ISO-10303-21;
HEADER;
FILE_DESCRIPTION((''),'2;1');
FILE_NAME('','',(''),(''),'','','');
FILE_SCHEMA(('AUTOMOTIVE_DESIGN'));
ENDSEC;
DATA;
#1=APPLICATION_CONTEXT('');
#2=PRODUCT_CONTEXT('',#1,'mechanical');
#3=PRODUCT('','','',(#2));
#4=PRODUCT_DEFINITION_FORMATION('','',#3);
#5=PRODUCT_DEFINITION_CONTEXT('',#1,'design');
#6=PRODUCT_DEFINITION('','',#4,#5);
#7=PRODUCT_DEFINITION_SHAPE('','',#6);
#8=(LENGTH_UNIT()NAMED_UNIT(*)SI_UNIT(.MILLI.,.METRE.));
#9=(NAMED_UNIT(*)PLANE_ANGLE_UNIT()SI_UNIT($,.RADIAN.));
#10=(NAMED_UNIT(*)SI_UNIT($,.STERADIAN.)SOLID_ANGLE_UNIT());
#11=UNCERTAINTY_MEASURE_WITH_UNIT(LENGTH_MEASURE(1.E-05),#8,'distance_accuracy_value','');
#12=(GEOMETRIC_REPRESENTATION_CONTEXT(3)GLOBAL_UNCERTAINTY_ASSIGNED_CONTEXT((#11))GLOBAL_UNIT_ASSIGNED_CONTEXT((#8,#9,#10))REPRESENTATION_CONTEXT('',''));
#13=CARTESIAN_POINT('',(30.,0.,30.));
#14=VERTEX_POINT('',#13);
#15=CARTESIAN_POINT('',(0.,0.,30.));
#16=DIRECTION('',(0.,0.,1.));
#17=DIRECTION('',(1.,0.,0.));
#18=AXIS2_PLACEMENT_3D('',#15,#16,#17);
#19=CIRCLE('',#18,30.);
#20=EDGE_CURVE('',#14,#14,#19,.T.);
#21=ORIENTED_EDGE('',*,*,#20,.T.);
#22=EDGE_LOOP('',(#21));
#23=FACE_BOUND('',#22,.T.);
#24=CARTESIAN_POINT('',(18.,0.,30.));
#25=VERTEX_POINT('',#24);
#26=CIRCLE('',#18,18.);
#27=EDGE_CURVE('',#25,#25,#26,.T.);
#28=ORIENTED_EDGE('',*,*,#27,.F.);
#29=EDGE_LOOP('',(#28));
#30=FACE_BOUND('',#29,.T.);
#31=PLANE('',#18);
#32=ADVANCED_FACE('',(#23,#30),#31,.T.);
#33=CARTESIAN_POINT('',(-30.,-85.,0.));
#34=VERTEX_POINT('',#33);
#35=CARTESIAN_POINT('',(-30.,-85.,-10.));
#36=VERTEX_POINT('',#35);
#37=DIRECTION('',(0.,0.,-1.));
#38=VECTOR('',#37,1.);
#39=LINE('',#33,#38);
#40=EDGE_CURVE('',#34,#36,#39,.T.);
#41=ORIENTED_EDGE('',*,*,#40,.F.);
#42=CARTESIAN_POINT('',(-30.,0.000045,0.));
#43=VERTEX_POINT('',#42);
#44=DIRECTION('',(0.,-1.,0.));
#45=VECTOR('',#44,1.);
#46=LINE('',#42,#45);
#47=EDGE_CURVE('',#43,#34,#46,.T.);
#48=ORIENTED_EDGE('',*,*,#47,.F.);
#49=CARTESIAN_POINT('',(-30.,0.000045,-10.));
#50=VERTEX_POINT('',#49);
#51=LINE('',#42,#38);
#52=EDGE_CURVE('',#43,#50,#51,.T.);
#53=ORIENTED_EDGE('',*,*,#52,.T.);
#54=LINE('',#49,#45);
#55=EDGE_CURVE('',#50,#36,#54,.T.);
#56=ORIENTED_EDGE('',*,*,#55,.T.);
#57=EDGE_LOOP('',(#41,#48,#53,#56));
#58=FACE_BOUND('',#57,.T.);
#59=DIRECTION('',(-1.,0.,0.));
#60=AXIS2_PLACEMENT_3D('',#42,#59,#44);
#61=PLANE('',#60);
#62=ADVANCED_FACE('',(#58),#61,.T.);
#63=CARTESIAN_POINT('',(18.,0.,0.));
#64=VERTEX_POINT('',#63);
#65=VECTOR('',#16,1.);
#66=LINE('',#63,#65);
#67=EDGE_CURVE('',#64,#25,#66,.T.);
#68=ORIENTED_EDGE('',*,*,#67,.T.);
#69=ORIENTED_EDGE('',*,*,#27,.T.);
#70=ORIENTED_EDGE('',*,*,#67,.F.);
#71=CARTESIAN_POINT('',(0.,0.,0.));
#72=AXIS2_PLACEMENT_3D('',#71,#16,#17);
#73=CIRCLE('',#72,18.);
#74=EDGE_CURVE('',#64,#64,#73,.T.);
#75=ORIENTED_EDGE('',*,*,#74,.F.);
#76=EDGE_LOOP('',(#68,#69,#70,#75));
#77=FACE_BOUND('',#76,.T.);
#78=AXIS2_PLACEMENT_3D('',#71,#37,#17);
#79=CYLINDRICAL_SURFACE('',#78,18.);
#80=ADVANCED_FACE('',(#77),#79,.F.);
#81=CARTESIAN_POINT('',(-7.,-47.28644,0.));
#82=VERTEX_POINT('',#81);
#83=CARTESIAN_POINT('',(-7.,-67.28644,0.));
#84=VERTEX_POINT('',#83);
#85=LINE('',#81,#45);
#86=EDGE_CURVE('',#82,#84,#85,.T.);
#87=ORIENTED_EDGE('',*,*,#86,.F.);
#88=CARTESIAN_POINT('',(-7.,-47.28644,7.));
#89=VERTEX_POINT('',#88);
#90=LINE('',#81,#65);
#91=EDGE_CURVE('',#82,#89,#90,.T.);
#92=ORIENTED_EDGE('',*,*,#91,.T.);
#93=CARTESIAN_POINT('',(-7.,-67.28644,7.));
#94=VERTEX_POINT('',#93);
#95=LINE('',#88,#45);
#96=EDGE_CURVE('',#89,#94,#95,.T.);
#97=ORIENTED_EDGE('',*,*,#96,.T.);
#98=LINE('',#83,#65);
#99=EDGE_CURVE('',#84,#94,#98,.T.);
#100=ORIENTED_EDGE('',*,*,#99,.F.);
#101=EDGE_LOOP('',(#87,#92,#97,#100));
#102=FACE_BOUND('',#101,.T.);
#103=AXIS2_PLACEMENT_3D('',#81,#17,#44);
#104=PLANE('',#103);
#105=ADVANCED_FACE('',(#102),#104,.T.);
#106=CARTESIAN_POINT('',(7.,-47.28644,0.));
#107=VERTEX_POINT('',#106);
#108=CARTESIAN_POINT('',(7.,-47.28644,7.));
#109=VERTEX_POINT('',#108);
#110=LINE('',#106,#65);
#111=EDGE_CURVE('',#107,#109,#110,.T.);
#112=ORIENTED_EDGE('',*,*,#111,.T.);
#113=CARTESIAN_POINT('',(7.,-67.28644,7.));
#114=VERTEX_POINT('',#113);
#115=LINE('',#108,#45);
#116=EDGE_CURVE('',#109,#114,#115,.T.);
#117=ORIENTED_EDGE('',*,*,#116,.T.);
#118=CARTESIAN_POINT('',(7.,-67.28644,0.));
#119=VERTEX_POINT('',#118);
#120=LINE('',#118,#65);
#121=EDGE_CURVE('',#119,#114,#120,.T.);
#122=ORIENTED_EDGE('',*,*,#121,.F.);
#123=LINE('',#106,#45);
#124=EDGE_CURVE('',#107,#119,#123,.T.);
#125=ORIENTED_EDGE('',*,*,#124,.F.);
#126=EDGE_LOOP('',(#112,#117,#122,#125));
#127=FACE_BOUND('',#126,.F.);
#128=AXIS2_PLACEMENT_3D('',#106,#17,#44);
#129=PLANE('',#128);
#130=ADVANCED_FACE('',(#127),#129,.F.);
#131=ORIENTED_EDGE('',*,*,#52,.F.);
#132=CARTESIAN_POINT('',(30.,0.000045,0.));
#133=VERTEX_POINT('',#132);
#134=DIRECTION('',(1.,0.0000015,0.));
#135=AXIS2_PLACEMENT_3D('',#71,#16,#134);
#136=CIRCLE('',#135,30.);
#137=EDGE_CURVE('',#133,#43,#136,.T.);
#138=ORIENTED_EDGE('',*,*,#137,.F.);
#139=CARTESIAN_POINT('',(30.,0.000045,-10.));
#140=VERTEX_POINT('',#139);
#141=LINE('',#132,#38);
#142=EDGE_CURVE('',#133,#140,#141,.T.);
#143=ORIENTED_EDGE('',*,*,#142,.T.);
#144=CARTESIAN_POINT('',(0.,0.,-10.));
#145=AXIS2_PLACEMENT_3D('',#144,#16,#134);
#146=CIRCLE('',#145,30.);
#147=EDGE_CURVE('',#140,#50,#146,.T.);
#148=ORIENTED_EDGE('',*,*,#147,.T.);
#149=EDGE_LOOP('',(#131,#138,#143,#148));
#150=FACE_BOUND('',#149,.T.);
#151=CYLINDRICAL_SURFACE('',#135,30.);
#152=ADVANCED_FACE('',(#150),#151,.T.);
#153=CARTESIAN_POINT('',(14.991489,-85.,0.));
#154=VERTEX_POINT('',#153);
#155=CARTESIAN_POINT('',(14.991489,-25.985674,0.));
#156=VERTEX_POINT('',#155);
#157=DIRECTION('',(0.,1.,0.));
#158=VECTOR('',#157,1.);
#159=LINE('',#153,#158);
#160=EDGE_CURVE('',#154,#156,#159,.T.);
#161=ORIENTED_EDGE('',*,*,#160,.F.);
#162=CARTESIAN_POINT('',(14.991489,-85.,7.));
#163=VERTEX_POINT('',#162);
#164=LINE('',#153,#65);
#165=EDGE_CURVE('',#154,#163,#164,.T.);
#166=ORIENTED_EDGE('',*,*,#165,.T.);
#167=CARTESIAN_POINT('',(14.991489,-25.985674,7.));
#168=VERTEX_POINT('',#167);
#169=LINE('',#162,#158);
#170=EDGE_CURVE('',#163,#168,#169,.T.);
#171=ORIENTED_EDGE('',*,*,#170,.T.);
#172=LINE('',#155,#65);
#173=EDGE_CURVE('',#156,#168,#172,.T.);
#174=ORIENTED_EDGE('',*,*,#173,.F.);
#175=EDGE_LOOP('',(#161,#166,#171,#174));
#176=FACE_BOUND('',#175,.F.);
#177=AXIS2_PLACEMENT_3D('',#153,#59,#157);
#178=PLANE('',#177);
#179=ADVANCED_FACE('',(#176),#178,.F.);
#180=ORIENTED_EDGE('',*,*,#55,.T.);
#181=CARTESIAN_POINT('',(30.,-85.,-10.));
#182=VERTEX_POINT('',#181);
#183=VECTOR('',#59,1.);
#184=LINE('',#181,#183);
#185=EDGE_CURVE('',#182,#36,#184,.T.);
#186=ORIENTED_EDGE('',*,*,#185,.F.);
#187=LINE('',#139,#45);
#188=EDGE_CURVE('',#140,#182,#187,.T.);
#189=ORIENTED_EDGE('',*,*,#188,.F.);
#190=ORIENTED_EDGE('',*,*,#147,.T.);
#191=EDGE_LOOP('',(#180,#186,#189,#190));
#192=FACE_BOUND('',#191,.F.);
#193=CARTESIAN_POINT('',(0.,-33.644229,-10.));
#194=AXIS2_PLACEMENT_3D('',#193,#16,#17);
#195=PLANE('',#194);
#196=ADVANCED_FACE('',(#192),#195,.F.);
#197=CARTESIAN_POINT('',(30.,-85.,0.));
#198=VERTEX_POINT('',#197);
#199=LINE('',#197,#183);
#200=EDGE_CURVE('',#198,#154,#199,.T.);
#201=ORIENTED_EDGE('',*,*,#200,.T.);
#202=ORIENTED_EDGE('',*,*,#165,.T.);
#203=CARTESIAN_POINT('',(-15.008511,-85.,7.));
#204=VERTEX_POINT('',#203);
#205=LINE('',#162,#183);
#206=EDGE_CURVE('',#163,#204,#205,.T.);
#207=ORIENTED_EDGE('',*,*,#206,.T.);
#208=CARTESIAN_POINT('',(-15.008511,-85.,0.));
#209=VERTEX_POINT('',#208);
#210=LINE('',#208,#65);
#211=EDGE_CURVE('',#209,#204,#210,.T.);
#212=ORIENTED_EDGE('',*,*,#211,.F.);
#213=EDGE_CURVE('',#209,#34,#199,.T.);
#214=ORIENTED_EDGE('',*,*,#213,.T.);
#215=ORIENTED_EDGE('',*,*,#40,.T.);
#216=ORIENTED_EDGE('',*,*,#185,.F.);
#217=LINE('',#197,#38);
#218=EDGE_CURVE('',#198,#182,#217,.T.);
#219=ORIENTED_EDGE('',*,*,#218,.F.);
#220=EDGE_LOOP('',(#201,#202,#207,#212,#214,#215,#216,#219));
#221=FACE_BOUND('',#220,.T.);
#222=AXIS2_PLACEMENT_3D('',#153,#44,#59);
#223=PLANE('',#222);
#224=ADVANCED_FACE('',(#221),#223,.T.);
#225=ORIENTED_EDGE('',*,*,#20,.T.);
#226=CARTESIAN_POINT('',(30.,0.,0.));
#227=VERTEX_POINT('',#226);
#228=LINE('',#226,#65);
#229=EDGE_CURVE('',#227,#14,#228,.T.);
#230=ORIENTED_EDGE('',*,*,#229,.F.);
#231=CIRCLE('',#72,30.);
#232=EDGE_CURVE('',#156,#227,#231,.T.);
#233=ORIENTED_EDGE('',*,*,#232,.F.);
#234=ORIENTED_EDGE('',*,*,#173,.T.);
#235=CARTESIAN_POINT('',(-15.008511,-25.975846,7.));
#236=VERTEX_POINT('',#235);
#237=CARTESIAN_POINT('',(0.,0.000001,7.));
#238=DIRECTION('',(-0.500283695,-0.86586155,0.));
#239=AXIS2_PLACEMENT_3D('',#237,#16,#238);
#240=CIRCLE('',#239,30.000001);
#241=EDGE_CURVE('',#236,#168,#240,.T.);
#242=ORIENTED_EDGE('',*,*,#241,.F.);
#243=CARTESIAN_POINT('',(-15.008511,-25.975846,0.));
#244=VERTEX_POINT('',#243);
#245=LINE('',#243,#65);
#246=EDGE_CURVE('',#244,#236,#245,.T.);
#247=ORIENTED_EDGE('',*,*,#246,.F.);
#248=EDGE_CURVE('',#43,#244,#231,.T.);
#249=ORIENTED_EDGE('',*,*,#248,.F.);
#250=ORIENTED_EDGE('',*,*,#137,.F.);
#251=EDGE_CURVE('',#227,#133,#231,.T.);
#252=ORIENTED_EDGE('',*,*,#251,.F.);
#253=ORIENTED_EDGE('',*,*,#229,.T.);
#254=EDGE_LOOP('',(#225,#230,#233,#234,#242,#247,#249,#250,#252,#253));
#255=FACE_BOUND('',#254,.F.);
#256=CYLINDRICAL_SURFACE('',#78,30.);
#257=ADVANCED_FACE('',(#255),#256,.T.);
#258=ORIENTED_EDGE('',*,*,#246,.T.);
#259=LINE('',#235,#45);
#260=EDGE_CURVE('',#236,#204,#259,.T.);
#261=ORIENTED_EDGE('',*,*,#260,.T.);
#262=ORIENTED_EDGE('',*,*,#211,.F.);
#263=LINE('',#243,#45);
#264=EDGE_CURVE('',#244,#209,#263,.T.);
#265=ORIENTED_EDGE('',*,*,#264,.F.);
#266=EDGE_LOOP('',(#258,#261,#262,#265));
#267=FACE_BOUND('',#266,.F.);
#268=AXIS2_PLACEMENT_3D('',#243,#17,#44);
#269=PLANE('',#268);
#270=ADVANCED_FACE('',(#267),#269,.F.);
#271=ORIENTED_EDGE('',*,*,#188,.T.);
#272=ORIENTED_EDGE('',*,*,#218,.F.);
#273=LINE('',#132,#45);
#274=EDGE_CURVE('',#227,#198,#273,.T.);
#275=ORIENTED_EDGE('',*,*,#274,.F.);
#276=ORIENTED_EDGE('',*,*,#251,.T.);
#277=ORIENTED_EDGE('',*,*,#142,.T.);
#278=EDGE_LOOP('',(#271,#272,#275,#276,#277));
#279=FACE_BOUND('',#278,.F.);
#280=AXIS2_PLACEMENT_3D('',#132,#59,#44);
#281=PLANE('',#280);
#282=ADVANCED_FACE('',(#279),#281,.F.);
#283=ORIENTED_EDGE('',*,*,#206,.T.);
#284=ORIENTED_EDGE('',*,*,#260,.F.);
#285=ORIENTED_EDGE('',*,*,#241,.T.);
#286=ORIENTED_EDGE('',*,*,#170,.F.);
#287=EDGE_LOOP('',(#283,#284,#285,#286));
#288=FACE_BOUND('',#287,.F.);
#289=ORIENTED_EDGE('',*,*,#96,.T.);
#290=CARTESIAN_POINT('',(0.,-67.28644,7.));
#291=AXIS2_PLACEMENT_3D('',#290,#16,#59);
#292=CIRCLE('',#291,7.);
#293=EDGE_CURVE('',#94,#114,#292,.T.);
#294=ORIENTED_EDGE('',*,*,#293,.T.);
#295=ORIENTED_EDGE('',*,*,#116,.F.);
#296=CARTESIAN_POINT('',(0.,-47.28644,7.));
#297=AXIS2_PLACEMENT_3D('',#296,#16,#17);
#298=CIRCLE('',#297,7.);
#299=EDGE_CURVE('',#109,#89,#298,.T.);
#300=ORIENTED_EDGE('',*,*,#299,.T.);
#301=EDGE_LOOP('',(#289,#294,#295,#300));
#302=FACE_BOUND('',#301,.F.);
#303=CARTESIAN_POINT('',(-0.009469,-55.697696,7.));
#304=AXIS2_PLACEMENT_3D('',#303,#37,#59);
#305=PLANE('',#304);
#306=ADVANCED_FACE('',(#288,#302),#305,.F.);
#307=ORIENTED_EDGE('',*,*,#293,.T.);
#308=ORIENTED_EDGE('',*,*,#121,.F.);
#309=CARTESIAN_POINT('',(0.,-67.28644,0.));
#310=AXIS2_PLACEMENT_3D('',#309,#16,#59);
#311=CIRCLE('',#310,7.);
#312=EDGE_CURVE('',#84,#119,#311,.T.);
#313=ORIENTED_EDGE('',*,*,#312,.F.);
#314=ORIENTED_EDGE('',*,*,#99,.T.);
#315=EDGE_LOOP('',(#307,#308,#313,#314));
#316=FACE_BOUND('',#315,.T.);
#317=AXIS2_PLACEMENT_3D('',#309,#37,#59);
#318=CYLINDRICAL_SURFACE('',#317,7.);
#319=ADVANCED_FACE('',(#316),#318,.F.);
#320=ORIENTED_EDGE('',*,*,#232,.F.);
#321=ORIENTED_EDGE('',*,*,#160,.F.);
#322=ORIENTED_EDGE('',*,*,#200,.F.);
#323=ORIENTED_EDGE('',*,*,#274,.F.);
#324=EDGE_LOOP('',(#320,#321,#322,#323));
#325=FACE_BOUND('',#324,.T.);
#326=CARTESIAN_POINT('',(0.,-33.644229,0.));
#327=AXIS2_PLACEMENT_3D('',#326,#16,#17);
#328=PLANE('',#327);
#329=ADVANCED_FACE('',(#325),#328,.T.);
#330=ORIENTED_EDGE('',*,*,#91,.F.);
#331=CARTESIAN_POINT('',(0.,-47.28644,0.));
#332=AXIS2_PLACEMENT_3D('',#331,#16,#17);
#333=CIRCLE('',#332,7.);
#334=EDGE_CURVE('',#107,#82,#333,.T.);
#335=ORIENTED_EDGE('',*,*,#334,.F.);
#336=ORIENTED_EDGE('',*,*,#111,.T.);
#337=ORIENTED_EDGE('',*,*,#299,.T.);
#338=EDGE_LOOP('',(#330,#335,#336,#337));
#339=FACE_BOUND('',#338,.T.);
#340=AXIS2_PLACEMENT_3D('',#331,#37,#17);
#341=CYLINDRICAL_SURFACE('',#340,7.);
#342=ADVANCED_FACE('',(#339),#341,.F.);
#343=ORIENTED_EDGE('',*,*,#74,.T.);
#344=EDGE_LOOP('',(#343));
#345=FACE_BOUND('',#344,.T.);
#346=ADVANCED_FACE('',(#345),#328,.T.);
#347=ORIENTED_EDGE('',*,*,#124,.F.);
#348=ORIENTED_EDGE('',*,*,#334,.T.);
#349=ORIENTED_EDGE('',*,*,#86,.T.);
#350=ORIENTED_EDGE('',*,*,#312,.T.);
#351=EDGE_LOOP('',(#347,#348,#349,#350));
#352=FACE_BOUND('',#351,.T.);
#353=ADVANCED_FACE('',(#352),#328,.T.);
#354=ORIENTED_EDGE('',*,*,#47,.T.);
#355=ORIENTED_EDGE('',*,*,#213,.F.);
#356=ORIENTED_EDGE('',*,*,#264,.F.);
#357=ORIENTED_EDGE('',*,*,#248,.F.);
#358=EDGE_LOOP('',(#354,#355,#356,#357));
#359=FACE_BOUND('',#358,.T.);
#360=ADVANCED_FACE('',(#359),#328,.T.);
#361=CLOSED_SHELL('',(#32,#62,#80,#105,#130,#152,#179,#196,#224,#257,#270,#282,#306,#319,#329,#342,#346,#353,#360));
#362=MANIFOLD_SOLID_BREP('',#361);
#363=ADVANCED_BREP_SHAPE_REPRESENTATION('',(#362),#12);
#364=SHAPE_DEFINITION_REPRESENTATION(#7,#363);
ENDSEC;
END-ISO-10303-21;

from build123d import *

# Parameters (mm, degrees)
SKETCH001_R   = 30
SKETCH001_R_2 = 18
PAD_DEPTH     = 30
PAD001_DEPTH  = 10
PAD002_DEPTH  = 7


with BuildPart() as part:
    # Sketch001 (on Sketch) → Pad (new body)
    with BuildSketch(Plane.XY):
        Circle(SKETCH001_R)
        Circle(SKETCH001_R_2, mode=Mode.SUBTRACT)
    extrude(amount=PAD_DEPTH)

    # Sketch002 (on Sketch) → Pad001 (join)
    with BuildSketch(Plane.XY):
        with BuildLine():
            ThreePointArc((30, 4.5e-05), (0, 30), (-30, 4.5e-05))
            Line((-30, 4.5e-05), (-30, -85))
            Line((30, -85), (-30, -85))
            Line((30, 4.5e-05), (30, -85))
        make_face()
    extrude(amount=-PAD001_DEPTH)

    # Sketch003 (on Sketch) → Pad002 (join)
    with BuildSketch(Plane.XY):
        with BuildLine():
            ThreePointArc((-15.008511, -25.975846), (-0.009828, -29.999998), (14.991489, -25.985674))
            Line((14.991489, -85), (14.991489, -25.985674))
            Line((14.991489, -85), (-15.008511, -85))
            Line((-15.008511, -25.975846), (-15.008511, -85))
        make_face()
        with BuildLine():
            ThreePointArc((7, -47.28644), (0, -40.28644), (-7, -47.28644))
            Line((-7, -47.28644), (-7, -67.28644))
            ThreePointArc((-7, -67.28644), (0, -74.28644), (7, -67.28644))
            Line((7, -47.28644), (7, -67.28644))
        make_face(mode=Mode.SUBTRACT)
    extrude(amount=PAD002_DEPTH)


solid = part.part
